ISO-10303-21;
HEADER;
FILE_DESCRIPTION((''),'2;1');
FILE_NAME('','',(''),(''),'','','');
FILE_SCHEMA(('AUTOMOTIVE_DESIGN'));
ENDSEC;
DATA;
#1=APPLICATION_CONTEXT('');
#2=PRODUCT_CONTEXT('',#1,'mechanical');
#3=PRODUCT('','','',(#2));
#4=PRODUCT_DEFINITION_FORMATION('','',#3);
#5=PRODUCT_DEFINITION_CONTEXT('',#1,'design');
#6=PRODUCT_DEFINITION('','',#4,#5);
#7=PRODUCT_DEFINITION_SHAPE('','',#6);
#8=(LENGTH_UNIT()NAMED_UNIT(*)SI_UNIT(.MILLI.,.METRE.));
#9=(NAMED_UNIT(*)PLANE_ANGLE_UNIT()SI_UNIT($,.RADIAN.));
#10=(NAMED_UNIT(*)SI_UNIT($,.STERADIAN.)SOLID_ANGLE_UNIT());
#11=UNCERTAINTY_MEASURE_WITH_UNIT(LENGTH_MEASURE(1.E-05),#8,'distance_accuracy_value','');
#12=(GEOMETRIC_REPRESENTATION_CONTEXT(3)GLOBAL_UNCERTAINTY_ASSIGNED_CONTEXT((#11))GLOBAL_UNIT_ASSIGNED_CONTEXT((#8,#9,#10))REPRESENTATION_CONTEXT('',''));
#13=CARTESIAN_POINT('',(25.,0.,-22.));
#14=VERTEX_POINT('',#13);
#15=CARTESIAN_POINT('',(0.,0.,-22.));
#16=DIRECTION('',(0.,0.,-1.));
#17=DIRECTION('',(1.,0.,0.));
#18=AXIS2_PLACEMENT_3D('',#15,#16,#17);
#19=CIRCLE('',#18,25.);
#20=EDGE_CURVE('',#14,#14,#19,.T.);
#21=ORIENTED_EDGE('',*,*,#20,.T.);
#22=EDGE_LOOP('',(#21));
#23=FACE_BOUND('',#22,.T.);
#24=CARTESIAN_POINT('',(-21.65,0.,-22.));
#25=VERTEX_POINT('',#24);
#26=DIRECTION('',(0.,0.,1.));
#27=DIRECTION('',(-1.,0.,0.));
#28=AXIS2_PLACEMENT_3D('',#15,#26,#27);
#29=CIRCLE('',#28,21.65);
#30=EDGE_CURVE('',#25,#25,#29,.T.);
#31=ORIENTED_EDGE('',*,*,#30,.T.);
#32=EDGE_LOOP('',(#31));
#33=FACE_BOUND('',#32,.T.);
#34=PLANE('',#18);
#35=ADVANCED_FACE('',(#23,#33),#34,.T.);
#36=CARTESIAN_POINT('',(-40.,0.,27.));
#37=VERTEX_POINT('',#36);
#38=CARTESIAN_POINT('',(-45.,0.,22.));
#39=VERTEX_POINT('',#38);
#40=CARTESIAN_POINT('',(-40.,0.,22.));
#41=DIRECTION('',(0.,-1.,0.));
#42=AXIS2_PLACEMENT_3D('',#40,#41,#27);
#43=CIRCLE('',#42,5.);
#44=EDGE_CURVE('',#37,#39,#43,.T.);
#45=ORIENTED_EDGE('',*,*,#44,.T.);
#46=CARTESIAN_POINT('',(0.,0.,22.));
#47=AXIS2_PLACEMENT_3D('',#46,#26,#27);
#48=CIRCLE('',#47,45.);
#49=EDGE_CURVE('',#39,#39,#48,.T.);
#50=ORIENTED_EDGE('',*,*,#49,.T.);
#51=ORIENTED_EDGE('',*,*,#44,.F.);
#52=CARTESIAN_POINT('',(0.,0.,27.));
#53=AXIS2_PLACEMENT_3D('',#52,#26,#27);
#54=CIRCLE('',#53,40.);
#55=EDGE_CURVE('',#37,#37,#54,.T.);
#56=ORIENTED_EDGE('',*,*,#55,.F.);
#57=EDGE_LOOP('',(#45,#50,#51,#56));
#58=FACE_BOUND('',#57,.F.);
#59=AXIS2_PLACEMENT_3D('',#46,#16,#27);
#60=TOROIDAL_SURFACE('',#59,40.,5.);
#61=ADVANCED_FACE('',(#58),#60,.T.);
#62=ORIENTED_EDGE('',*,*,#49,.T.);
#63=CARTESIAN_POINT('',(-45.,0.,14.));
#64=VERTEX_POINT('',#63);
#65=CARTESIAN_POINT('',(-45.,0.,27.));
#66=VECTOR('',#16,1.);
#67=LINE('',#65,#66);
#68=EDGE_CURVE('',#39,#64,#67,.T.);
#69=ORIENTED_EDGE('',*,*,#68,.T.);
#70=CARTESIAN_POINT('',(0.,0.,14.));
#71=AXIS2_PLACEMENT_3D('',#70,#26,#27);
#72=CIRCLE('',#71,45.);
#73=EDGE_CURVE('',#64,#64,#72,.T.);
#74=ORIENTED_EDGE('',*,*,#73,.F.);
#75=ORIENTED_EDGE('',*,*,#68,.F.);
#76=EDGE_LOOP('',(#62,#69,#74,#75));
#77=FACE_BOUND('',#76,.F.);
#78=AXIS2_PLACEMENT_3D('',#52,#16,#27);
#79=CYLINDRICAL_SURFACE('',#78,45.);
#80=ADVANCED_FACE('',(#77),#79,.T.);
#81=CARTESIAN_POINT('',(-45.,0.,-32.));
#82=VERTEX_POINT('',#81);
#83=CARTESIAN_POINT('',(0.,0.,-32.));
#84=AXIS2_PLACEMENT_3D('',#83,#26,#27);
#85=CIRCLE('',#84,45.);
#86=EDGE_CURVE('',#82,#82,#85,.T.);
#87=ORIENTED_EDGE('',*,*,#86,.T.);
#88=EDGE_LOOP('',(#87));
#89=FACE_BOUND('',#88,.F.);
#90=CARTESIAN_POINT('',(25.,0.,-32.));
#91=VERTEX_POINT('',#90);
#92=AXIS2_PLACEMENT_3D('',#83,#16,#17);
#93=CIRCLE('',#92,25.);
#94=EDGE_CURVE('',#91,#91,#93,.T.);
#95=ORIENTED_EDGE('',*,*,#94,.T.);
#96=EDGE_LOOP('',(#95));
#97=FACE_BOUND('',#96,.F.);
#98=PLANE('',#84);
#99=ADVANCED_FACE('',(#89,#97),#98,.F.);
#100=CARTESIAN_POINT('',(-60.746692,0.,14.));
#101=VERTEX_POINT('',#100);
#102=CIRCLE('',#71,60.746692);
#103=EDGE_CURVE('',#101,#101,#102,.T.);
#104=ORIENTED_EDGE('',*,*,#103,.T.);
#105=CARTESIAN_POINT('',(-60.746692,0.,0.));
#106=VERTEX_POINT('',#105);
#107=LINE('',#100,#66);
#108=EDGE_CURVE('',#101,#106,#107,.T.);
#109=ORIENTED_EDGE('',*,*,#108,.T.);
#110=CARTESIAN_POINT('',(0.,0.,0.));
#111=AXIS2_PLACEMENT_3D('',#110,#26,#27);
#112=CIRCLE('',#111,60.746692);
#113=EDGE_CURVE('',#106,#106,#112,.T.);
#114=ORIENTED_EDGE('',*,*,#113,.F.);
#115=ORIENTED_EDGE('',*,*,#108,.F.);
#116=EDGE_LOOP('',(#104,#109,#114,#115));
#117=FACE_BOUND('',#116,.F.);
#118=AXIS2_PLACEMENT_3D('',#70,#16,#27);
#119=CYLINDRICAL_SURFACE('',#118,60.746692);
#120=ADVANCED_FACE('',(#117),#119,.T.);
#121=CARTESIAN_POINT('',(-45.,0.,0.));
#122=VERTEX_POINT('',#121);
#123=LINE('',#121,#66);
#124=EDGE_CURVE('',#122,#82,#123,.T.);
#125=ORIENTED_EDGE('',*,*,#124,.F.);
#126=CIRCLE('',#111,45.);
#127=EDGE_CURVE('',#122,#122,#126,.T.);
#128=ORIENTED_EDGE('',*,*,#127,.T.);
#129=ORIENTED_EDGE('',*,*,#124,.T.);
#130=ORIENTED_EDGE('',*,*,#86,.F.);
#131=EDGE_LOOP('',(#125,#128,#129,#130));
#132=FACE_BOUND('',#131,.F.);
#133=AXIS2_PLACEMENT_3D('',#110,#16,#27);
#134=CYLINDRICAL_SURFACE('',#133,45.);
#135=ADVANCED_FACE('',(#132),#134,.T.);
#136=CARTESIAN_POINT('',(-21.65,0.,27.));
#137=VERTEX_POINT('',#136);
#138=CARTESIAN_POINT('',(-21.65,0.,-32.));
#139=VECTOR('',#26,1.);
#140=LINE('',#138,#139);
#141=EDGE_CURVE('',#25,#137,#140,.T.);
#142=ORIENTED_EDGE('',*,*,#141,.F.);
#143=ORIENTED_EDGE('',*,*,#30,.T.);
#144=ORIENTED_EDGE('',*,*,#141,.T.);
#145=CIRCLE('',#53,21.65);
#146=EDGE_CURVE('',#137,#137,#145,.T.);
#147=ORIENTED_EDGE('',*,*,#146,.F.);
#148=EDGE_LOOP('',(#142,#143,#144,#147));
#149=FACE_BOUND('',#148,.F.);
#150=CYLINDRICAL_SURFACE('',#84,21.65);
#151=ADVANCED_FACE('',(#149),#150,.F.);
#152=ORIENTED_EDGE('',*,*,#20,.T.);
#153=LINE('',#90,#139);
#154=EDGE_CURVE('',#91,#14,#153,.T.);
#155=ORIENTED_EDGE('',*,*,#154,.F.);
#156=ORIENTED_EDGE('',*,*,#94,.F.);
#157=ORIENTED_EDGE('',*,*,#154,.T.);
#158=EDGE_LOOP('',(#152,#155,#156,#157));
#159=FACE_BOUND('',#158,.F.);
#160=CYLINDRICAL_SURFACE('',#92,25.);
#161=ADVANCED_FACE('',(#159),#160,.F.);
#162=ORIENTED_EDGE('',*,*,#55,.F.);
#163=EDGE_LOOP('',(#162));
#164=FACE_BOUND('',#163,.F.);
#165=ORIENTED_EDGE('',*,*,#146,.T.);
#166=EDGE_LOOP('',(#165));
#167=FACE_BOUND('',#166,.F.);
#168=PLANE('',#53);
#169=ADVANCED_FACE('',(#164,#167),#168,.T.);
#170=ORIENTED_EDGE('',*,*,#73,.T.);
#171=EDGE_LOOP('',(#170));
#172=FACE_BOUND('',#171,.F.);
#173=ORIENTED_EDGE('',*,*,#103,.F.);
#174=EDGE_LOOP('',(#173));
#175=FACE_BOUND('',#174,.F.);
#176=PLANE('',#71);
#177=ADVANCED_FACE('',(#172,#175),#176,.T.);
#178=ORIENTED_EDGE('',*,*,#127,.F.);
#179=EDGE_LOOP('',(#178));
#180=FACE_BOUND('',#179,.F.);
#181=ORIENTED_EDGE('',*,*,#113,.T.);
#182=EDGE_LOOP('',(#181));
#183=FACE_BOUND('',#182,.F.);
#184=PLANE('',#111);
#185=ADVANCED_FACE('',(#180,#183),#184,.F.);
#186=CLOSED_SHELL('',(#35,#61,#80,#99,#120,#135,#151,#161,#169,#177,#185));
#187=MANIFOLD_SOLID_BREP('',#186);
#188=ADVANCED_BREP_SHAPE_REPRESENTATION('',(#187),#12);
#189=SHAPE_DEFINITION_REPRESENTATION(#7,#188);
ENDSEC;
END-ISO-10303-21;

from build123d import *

# Parameters (mm, degrees)
F2_R     = 5
F3_R     = 25
F4_DEPTH = 10


with BuildPart() as f1:
    # F0 (on Front) → F1 (revolve)
    with BuildSketch(Plane.XZ):
        Polygon((-60.746692, 14), (-60.746692, 0), (-45, 0), (-45, -32), (-21.65, -32), (-21.65, 27), (-45, 27), (-45, 14), align=None)
    revolve(axis=Axis((0, 0, 28.312229), (0, 0, 1)))

    # F2
    f2_edges = [f1.edges().sort_by_distance(p)[0] for p in [
        (45, 0, 27),
    ]]
    fillet(f2_edges, radius=F2_R)

    # F3 (on face) → F4 (cut)
    with BuildSketch(Plane(origin=(0, 0, -32), x_dir=(1, 0, 0), z_dir=(0, 0, -1))):
        Circle(F3_R)
    extrude(amount=-F4_DEPTH, mode=Mode.SUBTRACT)


solid = f1.part
